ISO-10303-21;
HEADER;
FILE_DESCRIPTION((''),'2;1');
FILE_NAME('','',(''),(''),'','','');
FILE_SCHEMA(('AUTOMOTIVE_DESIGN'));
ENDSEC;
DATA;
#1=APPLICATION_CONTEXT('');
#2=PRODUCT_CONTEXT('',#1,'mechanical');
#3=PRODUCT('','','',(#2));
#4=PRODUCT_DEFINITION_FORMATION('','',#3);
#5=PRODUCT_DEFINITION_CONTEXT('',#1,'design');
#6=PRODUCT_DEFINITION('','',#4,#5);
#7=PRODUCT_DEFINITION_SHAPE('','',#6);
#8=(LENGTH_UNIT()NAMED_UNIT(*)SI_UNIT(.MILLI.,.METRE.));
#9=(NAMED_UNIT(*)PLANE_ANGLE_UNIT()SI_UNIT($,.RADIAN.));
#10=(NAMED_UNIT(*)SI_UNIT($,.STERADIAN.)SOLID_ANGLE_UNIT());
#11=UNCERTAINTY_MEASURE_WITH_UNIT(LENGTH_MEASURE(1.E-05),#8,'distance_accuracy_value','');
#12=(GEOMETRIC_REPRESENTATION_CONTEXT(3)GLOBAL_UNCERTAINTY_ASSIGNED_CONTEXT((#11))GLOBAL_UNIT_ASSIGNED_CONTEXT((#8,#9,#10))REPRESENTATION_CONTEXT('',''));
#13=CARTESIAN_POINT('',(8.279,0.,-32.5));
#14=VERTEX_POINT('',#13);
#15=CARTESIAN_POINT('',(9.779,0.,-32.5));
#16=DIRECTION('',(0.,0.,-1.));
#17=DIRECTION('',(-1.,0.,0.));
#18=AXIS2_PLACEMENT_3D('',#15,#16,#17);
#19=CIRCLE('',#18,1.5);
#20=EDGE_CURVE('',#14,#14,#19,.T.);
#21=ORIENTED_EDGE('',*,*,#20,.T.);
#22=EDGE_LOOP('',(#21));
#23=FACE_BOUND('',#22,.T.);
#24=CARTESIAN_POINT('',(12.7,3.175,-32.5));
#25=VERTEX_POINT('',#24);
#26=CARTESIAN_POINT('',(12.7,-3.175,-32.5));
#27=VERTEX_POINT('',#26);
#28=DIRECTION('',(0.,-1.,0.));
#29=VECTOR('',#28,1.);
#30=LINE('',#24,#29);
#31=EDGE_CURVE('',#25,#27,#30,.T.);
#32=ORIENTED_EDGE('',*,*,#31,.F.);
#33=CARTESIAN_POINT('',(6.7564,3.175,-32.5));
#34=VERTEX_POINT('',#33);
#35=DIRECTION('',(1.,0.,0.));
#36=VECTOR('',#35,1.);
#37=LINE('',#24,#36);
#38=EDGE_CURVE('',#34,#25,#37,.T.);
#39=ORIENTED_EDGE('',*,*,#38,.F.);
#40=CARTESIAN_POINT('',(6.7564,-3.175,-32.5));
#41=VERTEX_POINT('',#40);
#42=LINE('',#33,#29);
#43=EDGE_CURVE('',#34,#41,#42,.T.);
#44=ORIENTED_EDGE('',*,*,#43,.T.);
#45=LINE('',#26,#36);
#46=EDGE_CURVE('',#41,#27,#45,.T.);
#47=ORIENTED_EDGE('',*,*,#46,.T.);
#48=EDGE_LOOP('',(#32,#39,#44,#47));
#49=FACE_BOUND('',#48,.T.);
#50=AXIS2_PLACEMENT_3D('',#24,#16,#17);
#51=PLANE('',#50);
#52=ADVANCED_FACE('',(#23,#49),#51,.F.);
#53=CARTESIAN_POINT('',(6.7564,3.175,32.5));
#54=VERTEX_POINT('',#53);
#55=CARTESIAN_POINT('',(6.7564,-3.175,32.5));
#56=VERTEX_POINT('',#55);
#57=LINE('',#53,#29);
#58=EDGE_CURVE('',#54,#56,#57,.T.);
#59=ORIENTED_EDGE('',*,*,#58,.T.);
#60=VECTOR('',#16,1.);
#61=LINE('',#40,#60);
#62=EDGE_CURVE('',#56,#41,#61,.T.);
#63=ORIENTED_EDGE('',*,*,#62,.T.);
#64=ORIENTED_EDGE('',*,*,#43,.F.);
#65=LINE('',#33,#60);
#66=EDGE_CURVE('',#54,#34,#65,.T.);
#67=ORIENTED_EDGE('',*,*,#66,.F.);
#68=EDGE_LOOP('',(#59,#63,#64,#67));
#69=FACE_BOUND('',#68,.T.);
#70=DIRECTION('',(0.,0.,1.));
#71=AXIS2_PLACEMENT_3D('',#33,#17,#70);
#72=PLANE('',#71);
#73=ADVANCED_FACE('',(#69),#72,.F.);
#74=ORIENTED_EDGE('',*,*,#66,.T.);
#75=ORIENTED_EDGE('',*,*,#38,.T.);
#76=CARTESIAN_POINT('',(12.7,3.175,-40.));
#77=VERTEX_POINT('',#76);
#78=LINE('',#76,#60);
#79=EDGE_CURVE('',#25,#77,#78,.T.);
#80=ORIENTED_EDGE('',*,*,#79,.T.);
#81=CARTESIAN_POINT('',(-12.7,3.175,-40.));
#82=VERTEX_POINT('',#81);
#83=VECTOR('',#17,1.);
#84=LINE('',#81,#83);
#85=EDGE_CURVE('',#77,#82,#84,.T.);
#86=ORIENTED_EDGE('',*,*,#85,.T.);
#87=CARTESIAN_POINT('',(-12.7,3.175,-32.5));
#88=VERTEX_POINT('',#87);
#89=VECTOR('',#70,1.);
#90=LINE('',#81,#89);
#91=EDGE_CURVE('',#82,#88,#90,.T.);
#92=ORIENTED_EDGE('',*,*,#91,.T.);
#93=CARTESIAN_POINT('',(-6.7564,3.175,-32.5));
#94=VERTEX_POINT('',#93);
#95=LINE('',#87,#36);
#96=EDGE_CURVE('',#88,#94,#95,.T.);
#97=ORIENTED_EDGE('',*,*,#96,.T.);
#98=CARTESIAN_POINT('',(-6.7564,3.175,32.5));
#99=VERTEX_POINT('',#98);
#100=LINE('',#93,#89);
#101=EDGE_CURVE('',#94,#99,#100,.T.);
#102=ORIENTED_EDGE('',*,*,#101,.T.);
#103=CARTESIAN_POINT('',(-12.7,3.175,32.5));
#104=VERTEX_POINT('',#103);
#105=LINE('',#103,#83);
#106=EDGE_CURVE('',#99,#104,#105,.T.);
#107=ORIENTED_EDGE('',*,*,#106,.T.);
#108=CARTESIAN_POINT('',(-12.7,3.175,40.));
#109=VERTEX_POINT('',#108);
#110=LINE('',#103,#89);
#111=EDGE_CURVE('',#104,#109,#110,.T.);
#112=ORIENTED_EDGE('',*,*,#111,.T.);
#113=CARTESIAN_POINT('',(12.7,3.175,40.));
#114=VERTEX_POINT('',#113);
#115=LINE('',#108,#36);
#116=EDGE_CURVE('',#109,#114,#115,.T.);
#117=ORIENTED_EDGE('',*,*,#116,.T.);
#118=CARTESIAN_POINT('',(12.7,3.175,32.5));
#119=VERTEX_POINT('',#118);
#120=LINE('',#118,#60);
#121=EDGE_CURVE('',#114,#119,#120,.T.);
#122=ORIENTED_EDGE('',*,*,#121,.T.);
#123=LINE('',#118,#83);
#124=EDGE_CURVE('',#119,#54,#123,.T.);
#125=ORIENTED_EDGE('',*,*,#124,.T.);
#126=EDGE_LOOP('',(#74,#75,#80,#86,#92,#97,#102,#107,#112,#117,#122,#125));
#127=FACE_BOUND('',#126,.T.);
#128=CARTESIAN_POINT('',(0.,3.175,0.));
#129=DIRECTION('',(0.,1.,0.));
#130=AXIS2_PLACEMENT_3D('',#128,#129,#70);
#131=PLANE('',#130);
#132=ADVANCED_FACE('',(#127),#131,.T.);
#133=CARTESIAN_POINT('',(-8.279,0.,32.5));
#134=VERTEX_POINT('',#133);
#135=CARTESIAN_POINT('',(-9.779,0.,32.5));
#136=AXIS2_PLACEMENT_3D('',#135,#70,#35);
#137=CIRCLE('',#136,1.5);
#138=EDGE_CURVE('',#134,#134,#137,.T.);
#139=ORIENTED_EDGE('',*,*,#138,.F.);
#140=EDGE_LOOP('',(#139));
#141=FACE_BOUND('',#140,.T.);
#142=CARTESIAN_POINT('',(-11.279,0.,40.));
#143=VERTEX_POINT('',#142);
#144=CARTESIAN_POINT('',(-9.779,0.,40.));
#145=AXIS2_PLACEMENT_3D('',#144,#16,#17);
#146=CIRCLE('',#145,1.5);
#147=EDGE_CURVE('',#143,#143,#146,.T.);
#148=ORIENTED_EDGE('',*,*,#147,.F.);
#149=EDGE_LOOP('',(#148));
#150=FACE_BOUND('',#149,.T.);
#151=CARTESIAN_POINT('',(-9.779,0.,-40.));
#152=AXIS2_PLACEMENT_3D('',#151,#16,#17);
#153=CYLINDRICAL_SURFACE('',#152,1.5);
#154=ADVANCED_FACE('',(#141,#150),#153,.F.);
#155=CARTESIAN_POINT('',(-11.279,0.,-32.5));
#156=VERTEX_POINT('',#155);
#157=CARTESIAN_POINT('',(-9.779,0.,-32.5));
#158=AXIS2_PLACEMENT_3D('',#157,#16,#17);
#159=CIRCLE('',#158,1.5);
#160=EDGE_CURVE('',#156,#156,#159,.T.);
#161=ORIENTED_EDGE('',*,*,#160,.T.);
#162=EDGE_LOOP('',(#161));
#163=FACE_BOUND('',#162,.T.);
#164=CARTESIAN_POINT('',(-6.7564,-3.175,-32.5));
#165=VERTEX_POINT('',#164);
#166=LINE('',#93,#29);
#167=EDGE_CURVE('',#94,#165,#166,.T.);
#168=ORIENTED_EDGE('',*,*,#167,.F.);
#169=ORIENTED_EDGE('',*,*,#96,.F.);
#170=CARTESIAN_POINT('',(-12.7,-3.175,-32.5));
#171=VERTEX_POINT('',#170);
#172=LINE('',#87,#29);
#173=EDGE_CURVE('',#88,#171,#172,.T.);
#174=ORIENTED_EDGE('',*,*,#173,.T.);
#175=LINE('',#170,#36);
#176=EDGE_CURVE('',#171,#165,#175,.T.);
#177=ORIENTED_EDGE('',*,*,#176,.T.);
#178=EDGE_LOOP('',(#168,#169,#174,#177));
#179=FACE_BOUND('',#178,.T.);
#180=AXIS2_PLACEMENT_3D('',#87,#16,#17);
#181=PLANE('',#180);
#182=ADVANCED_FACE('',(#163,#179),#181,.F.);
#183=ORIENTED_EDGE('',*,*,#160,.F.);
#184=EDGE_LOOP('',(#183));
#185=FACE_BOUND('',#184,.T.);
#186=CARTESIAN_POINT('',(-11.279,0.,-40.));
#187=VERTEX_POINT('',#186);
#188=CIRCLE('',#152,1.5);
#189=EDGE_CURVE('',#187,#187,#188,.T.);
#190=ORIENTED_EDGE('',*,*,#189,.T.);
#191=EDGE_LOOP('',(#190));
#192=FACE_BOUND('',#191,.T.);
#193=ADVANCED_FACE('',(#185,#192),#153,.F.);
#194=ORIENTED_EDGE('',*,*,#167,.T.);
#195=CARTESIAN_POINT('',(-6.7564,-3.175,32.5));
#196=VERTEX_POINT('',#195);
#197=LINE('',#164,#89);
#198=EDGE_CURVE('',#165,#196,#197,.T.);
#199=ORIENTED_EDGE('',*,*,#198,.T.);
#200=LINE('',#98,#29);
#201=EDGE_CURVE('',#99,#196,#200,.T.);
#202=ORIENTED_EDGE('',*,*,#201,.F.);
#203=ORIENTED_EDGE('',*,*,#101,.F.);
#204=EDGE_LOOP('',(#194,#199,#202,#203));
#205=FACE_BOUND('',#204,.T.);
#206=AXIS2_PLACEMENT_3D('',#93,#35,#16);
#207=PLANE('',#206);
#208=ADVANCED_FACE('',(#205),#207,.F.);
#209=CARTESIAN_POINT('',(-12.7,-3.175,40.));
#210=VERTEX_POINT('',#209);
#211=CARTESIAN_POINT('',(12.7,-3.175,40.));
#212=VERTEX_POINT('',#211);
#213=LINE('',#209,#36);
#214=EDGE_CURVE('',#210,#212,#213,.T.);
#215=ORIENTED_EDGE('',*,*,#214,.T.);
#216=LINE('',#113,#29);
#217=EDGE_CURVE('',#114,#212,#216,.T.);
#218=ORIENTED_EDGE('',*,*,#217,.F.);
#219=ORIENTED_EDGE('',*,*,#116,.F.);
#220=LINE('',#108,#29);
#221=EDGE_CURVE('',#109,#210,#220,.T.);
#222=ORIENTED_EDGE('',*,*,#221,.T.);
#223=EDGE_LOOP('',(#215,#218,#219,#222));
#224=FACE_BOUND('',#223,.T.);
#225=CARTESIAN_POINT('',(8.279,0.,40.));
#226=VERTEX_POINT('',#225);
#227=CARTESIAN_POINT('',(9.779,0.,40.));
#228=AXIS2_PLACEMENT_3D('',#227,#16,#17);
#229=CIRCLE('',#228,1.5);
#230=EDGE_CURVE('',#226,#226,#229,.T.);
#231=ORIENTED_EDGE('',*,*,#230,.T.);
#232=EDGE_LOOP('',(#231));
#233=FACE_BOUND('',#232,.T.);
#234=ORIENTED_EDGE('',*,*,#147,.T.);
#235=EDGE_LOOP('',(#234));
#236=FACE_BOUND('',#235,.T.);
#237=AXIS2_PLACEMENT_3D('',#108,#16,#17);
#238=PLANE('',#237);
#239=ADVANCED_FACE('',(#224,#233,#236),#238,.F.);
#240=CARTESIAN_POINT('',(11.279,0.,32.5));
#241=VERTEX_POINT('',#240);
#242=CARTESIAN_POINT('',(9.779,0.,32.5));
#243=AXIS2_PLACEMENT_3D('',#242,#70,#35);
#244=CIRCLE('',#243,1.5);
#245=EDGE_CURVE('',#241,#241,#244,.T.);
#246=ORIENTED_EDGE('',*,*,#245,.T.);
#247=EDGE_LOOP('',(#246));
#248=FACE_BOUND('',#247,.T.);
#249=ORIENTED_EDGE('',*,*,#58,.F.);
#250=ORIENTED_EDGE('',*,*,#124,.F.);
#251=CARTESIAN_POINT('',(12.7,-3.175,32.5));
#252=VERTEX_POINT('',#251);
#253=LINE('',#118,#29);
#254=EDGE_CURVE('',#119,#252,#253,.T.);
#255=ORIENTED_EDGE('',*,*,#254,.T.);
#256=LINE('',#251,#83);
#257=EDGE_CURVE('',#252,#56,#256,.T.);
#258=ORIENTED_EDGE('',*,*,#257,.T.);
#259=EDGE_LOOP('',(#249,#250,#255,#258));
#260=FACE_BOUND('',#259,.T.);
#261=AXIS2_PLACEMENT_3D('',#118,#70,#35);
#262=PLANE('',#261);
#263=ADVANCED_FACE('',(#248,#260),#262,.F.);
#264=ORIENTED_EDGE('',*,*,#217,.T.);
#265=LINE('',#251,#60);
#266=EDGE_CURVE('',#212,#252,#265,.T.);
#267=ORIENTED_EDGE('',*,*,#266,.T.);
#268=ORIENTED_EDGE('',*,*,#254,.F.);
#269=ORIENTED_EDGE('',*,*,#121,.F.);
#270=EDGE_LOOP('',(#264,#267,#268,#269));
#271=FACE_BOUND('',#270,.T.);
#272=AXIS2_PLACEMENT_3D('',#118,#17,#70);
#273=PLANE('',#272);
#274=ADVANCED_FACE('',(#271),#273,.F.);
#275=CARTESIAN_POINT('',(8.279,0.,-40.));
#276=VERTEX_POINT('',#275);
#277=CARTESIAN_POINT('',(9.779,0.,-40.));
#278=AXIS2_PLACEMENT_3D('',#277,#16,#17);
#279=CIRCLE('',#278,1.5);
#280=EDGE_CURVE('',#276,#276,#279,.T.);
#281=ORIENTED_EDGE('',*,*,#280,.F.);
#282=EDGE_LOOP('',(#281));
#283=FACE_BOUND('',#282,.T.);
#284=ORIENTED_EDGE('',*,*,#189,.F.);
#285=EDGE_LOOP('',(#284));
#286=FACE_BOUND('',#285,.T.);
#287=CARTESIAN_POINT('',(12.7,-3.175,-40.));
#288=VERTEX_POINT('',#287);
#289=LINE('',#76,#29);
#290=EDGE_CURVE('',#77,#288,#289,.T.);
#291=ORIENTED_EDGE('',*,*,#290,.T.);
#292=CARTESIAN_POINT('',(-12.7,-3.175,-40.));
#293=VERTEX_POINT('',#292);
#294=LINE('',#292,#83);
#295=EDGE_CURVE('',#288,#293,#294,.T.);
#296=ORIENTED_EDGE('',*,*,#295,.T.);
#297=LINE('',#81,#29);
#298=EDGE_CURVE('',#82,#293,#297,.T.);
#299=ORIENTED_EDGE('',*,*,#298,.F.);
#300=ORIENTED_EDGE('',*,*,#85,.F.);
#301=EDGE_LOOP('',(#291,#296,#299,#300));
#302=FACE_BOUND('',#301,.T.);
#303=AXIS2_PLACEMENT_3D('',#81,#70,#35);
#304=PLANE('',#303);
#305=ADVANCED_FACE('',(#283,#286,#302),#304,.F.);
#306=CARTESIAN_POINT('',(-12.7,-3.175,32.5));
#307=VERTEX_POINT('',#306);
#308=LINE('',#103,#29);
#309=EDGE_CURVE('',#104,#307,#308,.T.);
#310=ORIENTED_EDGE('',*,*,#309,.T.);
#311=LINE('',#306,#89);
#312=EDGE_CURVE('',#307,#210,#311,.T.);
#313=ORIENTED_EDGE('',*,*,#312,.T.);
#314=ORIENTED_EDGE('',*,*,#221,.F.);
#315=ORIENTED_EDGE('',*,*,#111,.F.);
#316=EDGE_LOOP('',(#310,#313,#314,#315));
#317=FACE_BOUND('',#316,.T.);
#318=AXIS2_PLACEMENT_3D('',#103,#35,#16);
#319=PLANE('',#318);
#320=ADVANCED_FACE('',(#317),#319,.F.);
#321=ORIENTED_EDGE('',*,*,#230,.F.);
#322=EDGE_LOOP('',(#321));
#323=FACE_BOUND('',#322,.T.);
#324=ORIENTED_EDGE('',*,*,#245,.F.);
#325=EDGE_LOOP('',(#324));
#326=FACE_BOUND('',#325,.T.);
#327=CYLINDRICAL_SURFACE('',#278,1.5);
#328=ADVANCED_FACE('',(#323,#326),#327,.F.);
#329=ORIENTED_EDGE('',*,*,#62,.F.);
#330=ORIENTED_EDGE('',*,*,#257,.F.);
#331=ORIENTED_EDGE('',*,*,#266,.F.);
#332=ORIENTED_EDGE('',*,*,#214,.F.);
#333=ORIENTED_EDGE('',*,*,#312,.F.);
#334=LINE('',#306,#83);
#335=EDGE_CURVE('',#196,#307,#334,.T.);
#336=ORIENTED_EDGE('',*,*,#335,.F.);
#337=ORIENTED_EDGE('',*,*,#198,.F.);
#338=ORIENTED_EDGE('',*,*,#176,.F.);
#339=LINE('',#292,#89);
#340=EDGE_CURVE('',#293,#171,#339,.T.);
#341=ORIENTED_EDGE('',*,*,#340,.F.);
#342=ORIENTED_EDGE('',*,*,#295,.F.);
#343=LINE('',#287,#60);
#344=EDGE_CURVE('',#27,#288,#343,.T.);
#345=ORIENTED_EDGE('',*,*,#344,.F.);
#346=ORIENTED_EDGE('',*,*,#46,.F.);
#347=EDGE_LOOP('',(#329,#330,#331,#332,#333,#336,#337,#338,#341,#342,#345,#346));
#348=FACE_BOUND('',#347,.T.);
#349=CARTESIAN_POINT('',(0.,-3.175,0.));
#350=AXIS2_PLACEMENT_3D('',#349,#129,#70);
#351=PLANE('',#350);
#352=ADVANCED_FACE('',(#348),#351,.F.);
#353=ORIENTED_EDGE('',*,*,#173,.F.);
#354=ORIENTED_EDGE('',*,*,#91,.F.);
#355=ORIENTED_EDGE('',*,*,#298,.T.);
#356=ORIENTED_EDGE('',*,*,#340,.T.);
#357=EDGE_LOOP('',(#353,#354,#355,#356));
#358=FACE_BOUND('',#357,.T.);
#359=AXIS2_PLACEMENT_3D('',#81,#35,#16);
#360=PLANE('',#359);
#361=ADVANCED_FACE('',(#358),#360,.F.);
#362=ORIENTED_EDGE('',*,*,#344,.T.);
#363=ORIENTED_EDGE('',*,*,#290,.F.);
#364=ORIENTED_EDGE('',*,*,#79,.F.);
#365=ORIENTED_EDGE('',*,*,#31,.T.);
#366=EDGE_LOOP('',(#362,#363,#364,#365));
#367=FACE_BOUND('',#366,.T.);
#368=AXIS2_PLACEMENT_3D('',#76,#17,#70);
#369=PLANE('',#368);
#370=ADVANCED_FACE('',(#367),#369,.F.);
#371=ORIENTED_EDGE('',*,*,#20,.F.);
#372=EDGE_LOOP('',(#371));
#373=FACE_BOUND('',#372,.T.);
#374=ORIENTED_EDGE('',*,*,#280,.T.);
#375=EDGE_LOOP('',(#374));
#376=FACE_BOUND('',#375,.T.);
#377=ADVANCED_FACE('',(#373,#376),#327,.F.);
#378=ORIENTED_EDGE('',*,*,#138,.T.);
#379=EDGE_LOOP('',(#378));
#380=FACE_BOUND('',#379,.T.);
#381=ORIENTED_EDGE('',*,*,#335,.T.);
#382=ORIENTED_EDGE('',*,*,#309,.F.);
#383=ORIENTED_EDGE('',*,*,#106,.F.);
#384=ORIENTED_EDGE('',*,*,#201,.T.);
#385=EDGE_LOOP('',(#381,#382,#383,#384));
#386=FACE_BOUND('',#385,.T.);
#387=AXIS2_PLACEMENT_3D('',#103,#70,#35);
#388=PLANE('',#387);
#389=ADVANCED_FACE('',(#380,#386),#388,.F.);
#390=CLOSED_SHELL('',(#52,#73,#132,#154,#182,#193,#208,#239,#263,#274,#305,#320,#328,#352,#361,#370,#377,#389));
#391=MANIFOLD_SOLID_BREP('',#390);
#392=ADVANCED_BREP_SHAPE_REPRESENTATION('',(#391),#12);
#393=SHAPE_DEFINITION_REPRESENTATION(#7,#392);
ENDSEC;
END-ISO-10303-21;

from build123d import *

# Parameters (mm, degrees)
BOSS_EXTRUDE3_DEPTH   = 3.175
F_3_0MM_DOWEL_HOLE1_D = 3


with BuildPart() as part:
    # Sketch7 → Boss-Extrude3 (new, symmetric)
    with BuildSketch(Plane(origin=(0, 0, 0), x_dir=(1, 0, 0), z_dir=(0, 1, 0))):
        Polygon((-12.7, -32.5), (-12.7, -40), (12.7, -40), (12.7, -32.5), (6.7564, -32.5), (6.7564, 32.5), (12.7, 32.5), (12.7, 40), (-12.7, 40), (-12.7, 32.5), (-6.7564, 32.5), (-6.7564, -32.5), align=None)
    extrude(amount=BOSS_EXTRUDE3_DEPTH, both=True)

    # Ø3.0mm Dowel Hole1 (through all)
    with Locations(Plane(origin=(0, 0, -40), x_dir=(-1, 0, 0), z_dir=(0, 0, -1))):
        with Locations((-9.779, 0), (9.779, 0)):
            Hole(F_3_0MM_DOWEL_HOLE1_D / 2)


solid = part.part
